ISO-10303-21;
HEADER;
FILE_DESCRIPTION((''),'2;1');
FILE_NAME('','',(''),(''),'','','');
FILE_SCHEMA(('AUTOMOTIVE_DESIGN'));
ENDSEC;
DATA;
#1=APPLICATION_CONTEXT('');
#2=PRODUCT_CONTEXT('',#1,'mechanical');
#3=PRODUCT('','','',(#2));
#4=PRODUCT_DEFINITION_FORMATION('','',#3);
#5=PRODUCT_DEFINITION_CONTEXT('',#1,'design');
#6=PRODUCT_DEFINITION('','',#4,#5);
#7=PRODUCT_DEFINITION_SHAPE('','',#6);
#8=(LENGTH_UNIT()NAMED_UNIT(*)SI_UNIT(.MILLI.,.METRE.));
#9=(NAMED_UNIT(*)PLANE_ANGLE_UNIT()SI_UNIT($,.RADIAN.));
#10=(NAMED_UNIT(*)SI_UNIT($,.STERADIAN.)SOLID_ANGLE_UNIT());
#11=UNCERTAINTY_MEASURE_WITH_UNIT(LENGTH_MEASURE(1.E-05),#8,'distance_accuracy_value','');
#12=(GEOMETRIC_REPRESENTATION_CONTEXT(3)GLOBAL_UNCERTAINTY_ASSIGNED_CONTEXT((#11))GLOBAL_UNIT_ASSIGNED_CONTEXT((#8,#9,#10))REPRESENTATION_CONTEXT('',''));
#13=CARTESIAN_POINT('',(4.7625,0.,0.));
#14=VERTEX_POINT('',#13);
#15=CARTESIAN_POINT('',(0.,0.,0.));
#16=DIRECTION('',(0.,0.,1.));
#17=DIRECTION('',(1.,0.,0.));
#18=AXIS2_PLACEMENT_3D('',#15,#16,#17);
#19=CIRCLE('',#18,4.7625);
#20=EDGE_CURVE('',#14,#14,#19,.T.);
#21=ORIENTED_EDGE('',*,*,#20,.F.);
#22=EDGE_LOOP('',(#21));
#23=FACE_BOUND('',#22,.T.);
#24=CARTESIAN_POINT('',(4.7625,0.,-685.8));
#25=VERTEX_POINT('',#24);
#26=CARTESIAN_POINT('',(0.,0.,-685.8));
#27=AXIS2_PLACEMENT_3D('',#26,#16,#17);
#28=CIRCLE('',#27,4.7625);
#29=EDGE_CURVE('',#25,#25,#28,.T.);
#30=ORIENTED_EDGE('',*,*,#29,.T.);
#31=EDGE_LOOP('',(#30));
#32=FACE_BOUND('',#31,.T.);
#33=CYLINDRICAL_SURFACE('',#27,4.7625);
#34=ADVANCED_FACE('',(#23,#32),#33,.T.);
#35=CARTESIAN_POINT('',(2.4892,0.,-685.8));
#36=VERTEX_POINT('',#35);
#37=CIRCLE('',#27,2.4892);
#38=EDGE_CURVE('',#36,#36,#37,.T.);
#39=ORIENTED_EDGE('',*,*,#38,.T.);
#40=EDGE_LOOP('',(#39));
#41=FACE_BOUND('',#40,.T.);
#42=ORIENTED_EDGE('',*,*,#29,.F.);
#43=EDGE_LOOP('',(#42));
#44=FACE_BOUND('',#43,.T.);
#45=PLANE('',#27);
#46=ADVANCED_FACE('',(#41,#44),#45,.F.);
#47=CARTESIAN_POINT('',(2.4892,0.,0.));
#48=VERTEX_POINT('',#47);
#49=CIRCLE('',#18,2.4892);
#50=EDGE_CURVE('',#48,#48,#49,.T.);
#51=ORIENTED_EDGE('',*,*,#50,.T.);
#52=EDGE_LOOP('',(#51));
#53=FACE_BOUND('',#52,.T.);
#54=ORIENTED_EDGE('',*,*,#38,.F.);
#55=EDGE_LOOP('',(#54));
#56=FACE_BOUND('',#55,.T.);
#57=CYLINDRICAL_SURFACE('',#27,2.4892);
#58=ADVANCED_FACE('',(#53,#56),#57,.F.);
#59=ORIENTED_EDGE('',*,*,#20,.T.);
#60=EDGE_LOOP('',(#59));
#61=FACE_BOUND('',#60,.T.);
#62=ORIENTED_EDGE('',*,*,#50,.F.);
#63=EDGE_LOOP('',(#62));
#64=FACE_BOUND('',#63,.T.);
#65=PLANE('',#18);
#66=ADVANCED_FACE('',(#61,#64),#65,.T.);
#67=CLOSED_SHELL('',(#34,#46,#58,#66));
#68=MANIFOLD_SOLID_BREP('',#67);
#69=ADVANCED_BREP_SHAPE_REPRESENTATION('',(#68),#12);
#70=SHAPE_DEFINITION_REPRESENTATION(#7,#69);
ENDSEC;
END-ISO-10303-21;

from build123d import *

# Parameters (mm, degrees)
SKETCH1_R           = 4.7625
SKETCH1_R_2         = 2.4892
BOSS_EXTRUDE1_DEPTH = 685.8


with BuildPart() as part:
    # Sketch1 → Boss-Extrude1 (new body)
    with BuildSketch(Plane.XY):
        Circle(SKETCH1_R)
        Circle(SKETCH1_R_2, mode=Mode.SUBTRACT)
    extrude(amount=-BOSS_EXTRUDE1_DEPTH)


solid = part.part
